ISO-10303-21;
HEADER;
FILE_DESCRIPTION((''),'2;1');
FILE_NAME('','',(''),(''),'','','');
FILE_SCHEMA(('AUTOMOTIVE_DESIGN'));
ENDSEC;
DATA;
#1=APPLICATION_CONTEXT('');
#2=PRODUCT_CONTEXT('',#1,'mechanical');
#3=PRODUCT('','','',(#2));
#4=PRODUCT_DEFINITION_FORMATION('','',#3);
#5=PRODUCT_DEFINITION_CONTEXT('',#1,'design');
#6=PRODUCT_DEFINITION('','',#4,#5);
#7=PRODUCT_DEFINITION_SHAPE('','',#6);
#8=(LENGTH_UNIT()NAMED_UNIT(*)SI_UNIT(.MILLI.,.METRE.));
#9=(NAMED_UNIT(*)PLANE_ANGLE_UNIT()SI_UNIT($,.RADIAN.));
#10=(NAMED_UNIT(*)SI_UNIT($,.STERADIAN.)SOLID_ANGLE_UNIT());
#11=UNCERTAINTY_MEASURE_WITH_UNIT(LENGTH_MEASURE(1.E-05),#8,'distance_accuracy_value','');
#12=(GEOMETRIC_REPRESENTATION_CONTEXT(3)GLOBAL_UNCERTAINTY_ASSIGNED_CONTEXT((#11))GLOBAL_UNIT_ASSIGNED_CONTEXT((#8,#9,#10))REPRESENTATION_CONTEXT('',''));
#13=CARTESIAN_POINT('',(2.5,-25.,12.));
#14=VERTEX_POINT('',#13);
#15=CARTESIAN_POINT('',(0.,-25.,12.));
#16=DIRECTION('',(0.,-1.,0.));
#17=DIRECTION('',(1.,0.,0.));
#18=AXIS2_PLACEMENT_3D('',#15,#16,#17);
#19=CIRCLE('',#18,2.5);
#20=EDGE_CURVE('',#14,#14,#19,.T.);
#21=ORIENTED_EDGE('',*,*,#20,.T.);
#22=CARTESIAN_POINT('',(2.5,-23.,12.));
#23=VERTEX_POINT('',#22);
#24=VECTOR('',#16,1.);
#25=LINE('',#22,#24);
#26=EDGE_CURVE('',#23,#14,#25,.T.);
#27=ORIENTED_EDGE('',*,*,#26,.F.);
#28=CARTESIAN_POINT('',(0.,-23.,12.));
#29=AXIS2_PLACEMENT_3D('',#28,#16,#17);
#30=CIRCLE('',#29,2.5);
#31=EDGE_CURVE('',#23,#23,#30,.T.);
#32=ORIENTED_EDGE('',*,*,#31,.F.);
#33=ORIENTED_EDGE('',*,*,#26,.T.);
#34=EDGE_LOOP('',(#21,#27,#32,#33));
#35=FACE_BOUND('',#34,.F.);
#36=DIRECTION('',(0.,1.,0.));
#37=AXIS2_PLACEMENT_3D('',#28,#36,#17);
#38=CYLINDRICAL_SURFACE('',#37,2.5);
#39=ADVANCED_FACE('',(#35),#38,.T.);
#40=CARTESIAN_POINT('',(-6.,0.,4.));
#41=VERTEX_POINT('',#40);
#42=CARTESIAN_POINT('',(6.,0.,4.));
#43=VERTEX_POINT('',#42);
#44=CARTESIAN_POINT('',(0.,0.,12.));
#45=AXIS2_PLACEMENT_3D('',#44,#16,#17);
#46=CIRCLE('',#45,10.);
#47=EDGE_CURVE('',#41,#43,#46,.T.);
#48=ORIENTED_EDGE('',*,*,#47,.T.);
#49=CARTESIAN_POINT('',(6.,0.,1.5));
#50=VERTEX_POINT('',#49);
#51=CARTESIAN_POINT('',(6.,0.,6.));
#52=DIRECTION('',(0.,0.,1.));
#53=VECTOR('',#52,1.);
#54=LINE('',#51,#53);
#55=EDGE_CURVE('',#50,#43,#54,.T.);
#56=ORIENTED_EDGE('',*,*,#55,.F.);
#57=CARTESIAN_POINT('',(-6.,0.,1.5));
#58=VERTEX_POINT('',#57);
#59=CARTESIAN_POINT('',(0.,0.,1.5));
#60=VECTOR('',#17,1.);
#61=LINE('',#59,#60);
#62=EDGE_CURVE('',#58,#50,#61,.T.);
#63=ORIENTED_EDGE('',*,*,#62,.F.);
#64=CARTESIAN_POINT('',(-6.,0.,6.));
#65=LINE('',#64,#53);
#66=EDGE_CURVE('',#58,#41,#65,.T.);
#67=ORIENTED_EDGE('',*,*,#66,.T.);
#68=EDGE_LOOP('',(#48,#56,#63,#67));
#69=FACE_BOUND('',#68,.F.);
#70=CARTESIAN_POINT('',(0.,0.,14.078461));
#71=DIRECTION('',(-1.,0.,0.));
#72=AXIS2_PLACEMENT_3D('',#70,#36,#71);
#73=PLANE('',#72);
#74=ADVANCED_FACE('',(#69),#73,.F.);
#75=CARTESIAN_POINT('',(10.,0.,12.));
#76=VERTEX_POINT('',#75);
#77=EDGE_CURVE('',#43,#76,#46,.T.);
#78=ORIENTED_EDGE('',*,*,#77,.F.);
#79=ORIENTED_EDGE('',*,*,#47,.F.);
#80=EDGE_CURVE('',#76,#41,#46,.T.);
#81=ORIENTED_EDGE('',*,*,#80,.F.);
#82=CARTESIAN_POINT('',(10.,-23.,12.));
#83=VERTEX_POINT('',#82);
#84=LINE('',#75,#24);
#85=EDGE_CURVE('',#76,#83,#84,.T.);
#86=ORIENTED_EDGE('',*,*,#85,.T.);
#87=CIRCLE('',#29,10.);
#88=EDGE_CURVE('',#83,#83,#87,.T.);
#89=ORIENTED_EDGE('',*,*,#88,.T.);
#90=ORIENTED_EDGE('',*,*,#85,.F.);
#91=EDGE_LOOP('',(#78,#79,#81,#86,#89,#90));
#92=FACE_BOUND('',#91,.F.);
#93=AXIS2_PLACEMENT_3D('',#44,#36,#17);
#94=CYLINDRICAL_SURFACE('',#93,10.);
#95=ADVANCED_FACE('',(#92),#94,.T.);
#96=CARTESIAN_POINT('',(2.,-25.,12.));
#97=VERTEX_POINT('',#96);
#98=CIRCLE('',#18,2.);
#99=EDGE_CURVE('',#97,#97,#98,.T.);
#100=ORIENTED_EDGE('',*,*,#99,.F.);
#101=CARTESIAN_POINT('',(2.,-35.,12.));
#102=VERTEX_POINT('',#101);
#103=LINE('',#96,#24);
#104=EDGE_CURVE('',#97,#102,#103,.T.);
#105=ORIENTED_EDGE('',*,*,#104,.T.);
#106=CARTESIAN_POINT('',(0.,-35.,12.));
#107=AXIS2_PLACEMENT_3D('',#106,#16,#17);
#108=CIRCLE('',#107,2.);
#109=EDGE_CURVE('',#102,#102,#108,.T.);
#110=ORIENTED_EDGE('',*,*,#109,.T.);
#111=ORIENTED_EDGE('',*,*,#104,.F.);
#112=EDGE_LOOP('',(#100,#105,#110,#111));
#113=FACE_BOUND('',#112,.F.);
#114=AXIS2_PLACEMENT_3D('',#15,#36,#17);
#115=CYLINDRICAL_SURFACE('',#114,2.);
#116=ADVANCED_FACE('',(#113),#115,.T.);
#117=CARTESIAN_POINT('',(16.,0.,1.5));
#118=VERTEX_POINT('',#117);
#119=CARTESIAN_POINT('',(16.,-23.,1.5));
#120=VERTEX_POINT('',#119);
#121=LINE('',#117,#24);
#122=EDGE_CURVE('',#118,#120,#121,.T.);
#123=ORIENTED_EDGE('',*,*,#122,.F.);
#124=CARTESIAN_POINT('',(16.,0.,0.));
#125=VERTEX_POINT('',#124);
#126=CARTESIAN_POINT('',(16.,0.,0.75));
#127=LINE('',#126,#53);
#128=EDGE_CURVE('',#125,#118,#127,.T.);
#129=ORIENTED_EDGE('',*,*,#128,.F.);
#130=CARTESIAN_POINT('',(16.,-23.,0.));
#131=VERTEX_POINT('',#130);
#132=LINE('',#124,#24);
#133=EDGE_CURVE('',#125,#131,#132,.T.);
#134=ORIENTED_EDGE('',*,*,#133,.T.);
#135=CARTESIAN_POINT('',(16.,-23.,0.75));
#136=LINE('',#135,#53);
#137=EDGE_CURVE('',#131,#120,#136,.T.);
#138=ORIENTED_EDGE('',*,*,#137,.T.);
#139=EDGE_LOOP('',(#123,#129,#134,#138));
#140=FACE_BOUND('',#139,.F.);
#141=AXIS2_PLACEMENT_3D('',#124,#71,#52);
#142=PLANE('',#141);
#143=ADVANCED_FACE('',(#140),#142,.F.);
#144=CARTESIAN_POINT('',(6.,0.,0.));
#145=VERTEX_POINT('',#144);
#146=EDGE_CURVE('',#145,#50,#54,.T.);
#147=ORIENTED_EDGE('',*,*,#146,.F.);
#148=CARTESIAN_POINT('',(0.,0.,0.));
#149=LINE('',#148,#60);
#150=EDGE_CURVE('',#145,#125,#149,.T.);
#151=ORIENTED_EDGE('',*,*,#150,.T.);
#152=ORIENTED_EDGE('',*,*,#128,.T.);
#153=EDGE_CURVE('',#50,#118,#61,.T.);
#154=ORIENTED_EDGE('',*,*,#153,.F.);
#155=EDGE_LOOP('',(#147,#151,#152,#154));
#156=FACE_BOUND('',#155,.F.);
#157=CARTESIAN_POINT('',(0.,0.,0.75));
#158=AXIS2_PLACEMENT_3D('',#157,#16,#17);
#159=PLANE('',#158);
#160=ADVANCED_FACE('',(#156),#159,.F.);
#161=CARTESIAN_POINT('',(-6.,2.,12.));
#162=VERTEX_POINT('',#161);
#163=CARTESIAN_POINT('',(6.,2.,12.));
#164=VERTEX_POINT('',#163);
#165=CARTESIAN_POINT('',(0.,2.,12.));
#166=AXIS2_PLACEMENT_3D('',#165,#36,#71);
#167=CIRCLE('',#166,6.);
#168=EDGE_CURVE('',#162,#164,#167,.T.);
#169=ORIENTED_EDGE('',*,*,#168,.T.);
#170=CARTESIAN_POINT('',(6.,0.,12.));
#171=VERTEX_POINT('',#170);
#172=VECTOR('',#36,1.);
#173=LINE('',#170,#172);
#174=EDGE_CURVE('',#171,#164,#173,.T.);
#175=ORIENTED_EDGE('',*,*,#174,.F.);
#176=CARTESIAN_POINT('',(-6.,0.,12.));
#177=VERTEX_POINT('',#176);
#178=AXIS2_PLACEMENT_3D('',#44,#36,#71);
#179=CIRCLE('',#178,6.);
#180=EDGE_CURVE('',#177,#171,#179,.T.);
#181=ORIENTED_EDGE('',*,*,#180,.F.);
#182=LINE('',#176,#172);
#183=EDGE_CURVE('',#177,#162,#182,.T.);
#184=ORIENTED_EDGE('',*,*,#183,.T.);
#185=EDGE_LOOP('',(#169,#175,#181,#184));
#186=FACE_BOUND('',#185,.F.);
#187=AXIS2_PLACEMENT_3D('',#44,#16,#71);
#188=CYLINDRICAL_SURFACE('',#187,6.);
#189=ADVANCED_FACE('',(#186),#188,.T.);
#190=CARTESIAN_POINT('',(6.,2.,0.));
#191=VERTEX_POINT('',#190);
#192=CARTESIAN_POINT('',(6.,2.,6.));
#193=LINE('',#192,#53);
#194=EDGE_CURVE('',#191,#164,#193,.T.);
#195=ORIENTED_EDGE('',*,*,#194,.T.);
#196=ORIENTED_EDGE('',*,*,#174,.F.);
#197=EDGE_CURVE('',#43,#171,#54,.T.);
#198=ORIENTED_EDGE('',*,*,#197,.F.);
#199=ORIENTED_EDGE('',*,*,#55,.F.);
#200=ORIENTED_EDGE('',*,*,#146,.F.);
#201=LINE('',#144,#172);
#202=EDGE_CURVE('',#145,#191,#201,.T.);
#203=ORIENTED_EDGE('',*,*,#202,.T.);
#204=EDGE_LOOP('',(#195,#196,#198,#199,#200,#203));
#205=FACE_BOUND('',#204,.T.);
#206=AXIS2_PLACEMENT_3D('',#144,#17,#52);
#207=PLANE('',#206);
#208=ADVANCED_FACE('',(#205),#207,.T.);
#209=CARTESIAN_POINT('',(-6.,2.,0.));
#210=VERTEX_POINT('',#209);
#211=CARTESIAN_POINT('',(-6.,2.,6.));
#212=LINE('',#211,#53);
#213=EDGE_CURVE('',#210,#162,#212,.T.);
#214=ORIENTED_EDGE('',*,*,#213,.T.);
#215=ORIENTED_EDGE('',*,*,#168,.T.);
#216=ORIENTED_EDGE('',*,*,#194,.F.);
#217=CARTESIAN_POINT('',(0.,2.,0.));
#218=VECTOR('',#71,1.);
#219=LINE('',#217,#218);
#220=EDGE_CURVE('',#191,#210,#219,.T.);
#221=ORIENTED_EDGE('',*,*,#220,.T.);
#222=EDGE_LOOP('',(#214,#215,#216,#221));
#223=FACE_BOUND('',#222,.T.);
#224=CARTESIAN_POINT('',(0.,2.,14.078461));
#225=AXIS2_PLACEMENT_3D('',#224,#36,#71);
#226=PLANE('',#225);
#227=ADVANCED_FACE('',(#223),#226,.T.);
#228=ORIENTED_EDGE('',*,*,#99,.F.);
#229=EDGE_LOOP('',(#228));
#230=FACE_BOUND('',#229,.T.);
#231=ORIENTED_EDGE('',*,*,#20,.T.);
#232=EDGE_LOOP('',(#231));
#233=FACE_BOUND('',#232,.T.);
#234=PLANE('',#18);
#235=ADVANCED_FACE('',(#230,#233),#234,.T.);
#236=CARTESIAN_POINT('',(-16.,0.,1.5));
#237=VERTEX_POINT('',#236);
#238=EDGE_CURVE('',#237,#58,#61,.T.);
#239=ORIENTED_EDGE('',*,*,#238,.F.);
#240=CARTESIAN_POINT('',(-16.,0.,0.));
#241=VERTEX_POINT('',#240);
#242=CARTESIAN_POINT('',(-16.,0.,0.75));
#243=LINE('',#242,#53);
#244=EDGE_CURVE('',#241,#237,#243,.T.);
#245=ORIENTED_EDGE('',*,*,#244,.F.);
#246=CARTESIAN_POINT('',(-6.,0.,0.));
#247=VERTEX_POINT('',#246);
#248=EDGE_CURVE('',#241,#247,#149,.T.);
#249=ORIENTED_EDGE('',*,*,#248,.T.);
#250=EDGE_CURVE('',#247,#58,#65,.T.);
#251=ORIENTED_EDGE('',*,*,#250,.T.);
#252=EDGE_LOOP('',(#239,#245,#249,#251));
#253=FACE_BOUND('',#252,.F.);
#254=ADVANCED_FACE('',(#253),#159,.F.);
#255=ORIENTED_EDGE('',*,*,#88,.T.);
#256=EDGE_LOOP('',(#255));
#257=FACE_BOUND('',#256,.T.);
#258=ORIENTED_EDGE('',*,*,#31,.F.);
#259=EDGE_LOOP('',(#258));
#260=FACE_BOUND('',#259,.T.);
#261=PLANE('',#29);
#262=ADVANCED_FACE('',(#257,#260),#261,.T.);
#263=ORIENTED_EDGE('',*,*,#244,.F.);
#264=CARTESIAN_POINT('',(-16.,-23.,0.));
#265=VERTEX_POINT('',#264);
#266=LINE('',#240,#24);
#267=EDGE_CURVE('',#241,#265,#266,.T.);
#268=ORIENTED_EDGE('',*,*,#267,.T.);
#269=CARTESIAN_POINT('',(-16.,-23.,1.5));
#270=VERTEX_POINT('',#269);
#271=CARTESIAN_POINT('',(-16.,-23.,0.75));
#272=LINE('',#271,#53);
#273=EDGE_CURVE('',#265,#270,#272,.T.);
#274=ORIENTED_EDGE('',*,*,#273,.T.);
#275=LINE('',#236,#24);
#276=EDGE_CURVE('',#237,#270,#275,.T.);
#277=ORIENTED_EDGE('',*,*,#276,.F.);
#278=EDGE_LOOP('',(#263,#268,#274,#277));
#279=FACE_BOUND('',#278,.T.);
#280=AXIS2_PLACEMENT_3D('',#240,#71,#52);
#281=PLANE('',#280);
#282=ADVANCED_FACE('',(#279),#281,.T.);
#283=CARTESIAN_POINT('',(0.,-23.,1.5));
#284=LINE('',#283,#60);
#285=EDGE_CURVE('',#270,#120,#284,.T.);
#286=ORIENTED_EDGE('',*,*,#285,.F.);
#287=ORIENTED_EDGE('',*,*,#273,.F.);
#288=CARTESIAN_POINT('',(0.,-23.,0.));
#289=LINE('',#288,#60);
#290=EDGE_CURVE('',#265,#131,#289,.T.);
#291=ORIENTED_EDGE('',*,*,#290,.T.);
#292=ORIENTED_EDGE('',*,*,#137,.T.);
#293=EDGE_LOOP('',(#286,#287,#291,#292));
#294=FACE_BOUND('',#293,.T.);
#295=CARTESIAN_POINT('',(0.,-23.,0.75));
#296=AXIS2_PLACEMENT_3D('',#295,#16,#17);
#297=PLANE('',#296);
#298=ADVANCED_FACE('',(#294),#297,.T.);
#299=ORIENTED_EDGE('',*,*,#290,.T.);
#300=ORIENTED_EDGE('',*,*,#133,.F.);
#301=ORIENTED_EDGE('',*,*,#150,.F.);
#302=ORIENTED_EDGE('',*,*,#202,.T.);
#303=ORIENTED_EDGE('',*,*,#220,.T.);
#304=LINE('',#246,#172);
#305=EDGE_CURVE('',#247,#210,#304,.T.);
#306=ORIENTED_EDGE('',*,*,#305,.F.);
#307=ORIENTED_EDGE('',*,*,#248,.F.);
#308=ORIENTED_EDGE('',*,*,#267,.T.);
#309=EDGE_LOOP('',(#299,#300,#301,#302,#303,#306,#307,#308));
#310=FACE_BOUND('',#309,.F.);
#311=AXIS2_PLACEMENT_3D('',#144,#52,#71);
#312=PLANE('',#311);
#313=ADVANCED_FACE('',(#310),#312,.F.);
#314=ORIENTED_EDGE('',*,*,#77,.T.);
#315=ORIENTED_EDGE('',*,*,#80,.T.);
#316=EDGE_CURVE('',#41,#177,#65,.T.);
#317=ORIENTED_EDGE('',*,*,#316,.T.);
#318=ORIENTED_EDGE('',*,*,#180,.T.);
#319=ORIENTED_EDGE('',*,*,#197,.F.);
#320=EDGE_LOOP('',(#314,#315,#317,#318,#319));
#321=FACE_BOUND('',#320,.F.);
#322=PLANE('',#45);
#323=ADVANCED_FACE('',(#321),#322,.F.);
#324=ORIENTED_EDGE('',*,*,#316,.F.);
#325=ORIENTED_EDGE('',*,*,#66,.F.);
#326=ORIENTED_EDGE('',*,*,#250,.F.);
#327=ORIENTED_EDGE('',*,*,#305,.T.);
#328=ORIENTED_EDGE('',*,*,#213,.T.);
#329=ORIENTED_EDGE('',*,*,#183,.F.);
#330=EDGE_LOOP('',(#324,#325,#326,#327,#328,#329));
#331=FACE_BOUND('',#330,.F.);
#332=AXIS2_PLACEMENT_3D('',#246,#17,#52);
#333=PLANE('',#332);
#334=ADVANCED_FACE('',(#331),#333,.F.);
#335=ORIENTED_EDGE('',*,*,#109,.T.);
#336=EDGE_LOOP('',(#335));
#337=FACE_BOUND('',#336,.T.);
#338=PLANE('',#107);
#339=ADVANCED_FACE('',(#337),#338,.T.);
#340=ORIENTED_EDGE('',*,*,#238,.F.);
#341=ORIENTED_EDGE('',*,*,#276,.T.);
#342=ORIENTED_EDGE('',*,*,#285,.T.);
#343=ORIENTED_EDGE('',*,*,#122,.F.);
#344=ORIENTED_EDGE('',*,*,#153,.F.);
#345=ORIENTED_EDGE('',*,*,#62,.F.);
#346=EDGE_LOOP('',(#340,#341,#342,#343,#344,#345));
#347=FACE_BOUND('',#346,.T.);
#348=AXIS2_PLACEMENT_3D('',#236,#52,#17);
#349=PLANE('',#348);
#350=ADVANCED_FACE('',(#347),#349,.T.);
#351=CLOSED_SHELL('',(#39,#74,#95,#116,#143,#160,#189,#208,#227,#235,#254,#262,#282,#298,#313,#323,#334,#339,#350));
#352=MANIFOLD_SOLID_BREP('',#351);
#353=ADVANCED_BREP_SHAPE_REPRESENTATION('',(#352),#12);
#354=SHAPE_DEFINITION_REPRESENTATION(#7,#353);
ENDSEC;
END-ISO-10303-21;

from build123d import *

# Parameters (mm, degrees)
F0_R     = 10
F0_W     = 32
F0_H     = 1.5
F1_DEPTH = 23
F2_R     = 2.5
F3_DEPTH = 2
F4_R     = 2
F5_DEPTH = 10
F6_W     = 12
F6_H     = 12
F7_DEPTH = 2


with BuildPart() as f1:
    # F0 (on Front) → F1 (new body)
    with BuildSketch(Plane.XZ):
        with Locations((0, 12)):
            Circle(F0_R)
        with Locations((0, 0.75)):
            Rectangle(F0_W, F0_H)
    extrude(amount=F1_DEPTH)

    # F2 (on face) → F3 (join)
    with BuildSketch(Plane.XZ.offset(23)):
        with Locations((0, 12)):
            Circle(F2_R)
    extrude(amount=F3_DEPTH)

    # F4 (on face) → F5 (join)
    with BuildSketch(Plane.XZ.offset(25)):
        with Locations((0, 12)):
            Circle(F4_R)
    extrude(amount=F5_DEPTH)

    # F6 (on face) → F7 (join)
    with BuildSketch(Plane(origin=(0, 0, 0), x_dir=(-1, 0, 0), z_dir=(0, 1, 0))):
        with BuildLine():
            ThreePointArc((6, 12), (0, 18), (-6, 12))
            Line((-6, 12), (6, 12))
        make_face()
        with Locations((0, 6)):
            Rectangle(F6_W, F6_H)
    extrude(amount=F7_DEPTH)


solid = f1.part
